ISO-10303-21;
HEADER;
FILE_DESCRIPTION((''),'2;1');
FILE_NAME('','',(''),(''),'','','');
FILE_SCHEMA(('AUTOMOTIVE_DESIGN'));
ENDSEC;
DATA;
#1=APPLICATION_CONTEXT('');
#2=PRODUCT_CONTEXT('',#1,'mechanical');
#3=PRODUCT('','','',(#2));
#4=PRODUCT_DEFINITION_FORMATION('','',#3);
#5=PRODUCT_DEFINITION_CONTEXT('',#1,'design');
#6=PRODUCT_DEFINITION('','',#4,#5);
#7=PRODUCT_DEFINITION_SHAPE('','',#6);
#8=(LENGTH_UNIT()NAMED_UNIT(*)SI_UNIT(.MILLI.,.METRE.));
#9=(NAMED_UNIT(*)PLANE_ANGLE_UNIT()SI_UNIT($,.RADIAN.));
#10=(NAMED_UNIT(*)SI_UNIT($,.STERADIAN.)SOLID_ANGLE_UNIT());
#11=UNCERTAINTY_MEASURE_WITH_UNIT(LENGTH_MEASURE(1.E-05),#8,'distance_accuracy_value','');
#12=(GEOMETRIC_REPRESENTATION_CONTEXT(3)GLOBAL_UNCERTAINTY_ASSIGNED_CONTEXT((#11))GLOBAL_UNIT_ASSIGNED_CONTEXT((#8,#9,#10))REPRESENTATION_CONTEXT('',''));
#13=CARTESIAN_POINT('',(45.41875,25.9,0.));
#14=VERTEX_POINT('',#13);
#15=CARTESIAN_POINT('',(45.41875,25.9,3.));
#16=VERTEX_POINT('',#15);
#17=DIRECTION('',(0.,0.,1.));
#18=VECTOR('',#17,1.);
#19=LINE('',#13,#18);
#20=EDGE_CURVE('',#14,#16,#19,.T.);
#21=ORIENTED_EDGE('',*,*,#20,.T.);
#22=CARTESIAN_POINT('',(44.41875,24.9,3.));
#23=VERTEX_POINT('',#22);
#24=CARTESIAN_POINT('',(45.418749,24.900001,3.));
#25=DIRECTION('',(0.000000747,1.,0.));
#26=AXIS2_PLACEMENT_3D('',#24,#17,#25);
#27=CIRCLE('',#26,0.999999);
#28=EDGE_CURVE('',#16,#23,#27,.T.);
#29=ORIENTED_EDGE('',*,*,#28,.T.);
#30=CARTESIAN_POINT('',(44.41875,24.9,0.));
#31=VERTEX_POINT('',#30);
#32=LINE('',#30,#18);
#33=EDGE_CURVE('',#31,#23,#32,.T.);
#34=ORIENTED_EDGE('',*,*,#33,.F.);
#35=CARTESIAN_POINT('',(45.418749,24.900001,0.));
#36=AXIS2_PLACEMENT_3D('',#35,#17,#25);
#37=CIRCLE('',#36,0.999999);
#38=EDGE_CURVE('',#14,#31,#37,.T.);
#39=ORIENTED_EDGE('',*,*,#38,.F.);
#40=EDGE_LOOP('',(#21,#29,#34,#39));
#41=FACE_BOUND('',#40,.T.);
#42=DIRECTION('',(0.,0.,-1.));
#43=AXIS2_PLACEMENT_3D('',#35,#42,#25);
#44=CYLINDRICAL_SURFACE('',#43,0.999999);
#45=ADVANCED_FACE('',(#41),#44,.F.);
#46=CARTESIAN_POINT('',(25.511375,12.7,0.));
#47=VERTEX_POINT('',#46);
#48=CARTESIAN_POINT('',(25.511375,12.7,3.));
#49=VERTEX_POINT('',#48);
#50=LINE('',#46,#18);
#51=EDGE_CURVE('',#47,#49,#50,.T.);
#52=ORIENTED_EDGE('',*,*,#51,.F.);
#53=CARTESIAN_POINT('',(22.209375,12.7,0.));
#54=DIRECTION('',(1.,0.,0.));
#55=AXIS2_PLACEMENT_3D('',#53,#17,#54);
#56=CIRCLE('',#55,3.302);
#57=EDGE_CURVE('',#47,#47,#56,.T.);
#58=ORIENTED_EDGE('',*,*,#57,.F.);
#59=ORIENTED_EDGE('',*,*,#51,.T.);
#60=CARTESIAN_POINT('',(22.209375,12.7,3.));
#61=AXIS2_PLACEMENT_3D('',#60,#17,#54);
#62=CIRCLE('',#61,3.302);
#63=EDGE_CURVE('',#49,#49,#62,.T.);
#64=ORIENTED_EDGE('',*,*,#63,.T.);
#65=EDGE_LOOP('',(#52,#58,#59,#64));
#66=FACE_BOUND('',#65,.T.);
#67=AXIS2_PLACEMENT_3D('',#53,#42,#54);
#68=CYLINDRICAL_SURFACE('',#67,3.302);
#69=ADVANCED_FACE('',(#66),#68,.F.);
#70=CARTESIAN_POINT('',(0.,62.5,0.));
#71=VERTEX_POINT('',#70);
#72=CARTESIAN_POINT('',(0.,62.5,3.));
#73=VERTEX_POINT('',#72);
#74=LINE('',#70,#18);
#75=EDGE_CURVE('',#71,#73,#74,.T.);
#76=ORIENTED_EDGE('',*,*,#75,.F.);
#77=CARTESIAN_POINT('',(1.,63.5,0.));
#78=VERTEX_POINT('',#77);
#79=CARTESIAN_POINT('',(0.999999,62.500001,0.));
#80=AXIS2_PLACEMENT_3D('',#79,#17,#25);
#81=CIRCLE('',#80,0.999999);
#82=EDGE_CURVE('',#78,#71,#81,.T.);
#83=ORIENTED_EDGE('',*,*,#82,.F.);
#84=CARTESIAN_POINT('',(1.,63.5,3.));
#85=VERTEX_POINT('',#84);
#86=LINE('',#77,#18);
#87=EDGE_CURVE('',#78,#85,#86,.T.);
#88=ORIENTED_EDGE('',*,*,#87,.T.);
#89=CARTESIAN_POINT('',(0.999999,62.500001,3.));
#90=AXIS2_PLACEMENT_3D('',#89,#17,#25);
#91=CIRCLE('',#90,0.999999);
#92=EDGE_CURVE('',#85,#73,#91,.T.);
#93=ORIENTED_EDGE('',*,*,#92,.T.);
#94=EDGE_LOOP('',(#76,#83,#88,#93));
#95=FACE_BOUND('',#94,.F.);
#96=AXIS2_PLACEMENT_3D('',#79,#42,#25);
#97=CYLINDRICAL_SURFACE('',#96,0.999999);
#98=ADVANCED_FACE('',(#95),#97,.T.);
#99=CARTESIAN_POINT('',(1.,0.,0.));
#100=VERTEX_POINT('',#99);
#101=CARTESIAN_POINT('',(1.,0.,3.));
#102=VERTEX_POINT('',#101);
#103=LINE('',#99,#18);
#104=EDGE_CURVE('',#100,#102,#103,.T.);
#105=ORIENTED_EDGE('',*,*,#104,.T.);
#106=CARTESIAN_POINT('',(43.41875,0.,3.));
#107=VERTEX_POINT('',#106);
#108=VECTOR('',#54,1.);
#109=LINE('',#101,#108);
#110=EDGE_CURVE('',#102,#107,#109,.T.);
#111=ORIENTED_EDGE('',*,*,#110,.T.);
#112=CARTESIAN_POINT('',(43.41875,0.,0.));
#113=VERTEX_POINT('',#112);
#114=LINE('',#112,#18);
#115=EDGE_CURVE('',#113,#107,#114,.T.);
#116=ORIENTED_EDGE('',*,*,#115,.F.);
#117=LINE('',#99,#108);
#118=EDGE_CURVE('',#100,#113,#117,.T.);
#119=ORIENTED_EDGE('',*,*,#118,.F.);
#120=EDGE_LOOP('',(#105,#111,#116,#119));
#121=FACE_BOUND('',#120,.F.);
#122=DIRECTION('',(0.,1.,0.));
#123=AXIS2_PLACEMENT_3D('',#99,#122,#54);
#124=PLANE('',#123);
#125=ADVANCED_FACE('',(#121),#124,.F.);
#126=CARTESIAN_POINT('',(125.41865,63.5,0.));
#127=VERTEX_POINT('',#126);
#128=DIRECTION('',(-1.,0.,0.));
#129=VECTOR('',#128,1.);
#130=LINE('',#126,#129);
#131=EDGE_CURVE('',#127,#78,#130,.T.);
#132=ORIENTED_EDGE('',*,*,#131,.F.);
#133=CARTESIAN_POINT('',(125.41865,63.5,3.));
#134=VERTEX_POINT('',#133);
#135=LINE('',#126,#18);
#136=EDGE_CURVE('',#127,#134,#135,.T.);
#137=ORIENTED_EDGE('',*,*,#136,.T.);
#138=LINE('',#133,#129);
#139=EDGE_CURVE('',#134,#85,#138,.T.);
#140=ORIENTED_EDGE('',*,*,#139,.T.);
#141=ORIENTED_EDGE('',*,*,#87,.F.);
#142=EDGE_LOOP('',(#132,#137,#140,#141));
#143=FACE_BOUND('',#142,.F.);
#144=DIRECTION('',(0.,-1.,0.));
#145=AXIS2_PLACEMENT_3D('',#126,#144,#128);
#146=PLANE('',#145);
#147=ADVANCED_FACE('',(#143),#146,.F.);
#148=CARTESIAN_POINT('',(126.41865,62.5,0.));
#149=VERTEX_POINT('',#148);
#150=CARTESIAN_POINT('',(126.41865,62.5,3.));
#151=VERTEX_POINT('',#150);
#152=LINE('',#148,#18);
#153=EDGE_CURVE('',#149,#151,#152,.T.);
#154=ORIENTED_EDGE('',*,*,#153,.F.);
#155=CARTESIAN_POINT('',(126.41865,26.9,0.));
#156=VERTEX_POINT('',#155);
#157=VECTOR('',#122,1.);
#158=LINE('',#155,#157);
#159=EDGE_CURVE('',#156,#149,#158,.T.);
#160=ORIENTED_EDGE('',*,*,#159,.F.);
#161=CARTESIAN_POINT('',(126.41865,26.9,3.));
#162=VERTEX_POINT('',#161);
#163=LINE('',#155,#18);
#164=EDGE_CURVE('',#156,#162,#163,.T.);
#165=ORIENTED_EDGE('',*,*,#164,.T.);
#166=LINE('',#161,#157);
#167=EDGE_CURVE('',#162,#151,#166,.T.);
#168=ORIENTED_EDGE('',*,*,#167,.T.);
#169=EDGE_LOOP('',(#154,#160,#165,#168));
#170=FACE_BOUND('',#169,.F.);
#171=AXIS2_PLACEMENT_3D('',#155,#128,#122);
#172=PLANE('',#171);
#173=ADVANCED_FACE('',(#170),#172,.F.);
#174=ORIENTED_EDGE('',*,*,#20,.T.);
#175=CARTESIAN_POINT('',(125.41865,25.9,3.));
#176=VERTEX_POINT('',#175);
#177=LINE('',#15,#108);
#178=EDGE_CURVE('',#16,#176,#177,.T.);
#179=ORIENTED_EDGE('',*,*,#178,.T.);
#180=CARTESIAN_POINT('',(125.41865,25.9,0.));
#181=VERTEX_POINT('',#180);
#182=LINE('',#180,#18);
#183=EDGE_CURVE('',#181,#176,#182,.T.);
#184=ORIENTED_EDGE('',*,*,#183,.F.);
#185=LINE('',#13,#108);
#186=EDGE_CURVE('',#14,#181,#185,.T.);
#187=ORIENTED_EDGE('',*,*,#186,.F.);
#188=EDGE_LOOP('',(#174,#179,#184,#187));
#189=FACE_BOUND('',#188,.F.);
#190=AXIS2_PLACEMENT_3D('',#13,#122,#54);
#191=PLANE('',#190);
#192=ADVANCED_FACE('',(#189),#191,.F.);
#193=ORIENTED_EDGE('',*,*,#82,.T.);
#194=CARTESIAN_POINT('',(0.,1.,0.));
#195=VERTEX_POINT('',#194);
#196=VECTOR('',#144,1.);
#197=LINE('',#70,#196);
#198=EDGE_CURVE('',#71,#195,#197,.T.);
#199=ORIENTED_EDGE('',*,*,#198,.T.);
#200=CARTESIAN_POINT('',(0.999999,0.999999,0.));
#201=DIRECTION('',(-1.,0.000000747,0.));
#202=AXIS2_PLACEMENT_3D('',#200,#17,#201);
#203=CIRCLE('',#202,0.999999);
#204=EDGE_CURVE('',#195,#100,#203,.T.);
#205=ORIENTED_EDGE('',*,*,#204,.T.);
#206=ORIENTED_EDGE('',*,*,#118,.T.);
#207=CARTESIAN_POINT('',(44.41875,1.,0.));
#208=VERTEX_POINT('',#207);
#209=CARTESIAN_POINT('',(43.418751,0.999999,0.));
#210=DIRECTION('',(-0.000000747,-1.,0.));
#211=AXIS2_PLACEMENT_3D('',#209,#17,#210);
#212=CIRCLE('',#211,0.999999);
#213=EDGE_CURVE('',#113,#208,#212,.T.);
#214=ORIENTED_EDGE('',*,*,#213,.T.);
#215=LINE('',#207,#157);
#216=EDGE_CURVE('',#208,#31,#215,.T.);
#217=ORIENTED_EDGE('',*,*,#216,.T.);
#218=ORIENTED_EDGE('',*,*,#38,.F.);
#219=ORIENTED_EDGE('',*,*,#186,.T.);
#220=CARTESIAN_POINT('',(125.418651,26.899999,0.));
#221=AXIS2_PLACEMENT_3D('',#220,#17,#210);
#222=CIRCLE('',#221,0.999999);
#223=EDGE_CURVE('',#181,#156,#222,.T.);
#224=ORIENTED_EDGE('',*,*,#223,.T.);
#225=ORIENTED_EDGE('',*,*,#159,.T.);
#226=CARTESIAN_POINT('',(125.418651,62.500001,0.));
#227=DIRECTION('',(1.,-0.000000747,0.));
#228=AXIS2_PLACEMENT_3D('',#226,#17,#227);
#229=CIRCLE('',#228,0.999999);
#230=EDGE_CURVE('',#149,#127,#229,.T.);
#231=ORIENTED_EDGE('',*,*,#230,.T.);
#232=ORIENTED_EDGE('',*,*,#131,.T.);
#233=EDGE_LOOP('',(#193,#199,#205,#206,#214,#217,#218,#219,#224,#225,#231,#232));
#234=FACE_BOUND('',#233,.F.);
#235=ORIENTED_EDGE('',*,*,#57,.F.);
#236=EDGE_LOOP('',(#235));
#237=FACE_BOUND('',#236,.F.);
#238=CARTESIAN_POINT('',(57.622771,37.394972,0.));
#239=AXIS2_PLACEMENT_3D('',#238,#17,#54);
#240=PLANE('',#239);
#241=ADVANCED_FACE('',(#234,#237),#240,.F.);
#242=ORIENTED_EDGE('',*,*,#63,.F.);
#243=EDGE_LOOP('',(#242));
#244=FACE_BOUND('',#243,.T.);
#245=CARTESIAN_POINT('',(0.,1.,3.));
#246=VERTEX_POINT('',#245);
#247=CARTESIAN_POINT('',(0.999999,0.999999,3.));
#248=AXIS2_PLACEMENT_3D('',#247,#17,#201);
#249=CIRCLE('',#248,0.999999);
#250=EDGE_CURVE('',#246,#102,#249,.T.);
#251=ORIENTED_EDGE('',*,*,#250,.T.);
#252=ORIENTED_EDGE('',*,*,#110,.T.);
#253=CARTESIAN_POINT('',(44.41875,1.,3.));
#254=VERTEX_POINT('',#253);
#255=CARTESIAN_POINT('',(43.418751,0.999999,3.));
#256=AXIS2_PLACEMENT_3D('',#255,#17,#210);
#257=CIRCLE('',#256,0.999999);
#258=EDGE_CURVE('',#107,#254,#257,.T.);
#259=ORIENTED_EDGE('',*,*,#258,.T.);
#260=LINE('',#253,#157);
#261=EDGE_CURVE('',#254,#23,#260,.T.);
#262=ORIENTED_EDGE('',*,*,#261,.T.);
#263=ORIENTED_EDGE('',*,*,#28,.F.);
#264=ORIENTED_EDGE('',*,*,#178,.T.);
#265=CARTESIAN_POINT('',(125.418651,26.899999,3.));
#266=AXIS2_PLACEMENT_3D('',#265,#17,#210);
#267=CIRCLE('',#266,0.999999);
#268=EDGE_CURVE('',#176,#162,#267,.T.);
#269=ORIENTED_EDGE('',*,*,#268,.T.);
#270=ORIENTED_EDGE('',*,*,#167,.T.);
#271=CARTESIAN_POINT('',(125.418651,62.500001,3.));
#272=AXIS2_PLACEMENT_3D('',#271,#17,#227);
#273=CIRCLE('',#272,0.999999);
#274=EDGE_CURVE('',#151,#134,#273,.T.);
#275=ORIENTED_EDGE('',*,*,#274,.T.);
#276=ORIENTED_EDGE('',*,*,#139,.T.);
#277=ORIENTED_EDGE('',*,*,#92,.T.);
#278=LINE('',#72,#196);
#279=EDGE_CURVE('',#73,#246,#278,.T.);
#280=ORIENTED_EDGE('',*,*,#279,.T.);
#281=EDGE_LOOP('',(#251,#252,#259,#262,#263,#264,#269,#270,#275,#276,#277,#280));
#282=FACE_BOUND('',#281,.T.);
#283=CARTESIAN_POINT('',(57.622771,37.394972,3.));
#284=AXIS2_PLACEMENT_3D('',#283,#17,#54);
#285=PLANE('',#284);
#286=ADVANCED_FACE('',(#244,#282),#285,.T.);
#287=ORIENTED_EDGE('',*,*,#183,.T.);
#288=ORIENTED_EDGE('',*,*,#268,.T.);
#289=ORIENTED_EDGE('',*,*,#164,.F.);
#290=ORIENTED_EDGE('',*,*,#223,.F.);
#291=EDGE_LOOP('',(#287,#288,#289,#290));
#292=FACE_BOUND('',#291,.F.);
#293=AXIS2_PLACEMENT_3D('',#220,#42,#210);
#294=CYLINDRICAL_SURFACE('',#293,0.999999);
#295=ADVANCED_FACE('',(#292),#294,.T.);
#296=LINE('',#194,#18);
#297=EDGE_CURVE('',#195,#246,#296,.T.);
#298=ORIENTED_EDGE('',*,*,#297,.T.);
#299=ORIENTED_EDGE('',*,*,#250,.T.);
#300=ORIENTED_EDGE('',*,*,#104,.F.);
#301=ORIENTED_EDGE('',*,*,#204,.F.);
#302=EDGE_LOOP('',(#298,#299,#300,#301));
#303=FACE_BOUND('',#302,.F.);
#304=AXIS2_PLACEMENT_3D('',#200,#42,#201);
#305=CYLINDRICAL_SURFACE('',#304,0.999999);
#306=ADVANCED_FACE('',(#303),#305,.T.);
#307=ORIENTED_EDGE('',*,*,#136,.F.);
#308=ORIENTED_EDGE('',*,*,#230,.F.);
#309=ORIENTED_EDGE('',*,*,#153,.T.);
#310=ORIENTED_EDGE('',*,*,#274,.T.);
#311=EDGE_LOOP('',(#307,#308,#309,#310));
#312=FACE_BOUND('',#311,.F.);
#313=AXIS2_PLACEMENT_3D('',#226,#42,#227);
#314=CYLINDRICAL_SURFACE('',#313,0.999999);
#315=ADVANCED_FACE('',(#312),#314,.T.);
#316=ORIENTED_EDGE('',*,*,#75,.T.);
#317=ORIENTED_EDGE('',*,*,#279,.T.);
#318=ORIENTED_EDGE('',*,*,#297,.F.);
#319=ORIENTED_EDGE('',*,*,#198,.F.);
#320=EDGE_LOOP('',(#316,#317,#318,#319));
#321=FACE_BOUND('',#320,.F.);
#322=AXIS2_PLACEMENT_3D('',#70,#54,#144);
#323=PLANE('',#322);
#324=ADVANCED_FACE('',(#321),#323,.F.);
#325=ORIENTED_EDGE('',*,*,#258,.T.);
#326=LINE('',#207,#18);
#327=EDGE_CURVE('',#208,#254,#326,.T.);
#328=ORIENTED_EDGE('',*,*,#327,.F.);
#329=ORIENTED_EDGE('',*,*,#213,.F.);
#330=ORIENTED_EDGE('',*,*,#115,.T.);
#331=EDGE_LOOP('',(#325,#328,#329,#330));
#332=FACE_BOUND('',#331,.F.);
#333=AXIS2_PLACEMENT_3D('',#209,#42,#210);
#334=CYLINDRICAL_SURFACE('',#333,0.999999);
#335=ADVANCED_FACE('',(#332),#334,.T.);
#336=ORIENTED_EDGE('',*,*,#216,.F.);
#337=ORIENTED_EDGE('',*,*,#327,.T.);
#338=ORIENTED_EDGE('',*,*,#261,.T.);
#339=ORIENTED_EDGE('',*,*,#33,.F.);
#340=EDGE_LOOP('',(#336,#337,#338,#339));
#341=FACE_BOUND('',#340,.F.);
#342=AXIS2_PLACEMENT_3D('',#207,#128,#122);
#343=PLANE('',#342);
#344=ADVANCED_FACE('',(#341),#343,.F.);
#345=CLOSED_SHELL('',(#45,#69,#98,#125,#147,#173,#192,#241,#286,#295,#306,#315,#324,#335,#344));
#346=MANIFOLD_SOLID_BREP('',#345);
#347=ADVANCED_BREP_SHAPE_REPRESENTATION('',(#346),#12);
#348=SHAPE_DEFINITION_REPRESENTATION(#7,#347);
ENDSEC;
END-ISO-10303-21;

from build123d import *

# Parameters (mm, degrees)
SKETCH_R  = 3.302
PAD_DEPTH = 3


with BuildPart() as part:
    # Sketch → Pad (new body)
    with BuildSketch(Plane.XY):
        with BuildLine():
            Line((0, 62.5), (0, 1))
            ThreePointArc((0, 1), (0.292893, 0.292893), (1, 0))
            Line((1, 0), (43.41875, 0))
            ThreePointArc((43.41875, 0), (44.125857, 0.292893), (44.41875, 1))
            Line((44.41875, 1), (44.41875, 24.9))
            ThreePointArc((45.41875, 25.9), (44.711643, 25.607107), (44.41875, 24.9))
            Line((45.41875, 25.9), (125.41865, 25.9))
            ThreePointArc((125.41865, 25.9), (126.125757, 26.192893), (126.41865, 26.9))
            Line((126.41865, 26.9), (126.41865, 62.5))
            ThreePointArc((126.41865, 62.5), (126.125757, 63.207107), (125.41865, 63.5))
            Line((125.41865, 63.5), (1, 63.5))
            ThreePointArc((1, 63.5), (0.292893, 63.207107), (0, 62.5))
        make_face()
        with Locations((22.209375, 12.7)):
            Circle(SKETCH_R, mode=Mode.SUBTRACT)
    extrude(amount=PAD_DEPTH)


solid = part.part
